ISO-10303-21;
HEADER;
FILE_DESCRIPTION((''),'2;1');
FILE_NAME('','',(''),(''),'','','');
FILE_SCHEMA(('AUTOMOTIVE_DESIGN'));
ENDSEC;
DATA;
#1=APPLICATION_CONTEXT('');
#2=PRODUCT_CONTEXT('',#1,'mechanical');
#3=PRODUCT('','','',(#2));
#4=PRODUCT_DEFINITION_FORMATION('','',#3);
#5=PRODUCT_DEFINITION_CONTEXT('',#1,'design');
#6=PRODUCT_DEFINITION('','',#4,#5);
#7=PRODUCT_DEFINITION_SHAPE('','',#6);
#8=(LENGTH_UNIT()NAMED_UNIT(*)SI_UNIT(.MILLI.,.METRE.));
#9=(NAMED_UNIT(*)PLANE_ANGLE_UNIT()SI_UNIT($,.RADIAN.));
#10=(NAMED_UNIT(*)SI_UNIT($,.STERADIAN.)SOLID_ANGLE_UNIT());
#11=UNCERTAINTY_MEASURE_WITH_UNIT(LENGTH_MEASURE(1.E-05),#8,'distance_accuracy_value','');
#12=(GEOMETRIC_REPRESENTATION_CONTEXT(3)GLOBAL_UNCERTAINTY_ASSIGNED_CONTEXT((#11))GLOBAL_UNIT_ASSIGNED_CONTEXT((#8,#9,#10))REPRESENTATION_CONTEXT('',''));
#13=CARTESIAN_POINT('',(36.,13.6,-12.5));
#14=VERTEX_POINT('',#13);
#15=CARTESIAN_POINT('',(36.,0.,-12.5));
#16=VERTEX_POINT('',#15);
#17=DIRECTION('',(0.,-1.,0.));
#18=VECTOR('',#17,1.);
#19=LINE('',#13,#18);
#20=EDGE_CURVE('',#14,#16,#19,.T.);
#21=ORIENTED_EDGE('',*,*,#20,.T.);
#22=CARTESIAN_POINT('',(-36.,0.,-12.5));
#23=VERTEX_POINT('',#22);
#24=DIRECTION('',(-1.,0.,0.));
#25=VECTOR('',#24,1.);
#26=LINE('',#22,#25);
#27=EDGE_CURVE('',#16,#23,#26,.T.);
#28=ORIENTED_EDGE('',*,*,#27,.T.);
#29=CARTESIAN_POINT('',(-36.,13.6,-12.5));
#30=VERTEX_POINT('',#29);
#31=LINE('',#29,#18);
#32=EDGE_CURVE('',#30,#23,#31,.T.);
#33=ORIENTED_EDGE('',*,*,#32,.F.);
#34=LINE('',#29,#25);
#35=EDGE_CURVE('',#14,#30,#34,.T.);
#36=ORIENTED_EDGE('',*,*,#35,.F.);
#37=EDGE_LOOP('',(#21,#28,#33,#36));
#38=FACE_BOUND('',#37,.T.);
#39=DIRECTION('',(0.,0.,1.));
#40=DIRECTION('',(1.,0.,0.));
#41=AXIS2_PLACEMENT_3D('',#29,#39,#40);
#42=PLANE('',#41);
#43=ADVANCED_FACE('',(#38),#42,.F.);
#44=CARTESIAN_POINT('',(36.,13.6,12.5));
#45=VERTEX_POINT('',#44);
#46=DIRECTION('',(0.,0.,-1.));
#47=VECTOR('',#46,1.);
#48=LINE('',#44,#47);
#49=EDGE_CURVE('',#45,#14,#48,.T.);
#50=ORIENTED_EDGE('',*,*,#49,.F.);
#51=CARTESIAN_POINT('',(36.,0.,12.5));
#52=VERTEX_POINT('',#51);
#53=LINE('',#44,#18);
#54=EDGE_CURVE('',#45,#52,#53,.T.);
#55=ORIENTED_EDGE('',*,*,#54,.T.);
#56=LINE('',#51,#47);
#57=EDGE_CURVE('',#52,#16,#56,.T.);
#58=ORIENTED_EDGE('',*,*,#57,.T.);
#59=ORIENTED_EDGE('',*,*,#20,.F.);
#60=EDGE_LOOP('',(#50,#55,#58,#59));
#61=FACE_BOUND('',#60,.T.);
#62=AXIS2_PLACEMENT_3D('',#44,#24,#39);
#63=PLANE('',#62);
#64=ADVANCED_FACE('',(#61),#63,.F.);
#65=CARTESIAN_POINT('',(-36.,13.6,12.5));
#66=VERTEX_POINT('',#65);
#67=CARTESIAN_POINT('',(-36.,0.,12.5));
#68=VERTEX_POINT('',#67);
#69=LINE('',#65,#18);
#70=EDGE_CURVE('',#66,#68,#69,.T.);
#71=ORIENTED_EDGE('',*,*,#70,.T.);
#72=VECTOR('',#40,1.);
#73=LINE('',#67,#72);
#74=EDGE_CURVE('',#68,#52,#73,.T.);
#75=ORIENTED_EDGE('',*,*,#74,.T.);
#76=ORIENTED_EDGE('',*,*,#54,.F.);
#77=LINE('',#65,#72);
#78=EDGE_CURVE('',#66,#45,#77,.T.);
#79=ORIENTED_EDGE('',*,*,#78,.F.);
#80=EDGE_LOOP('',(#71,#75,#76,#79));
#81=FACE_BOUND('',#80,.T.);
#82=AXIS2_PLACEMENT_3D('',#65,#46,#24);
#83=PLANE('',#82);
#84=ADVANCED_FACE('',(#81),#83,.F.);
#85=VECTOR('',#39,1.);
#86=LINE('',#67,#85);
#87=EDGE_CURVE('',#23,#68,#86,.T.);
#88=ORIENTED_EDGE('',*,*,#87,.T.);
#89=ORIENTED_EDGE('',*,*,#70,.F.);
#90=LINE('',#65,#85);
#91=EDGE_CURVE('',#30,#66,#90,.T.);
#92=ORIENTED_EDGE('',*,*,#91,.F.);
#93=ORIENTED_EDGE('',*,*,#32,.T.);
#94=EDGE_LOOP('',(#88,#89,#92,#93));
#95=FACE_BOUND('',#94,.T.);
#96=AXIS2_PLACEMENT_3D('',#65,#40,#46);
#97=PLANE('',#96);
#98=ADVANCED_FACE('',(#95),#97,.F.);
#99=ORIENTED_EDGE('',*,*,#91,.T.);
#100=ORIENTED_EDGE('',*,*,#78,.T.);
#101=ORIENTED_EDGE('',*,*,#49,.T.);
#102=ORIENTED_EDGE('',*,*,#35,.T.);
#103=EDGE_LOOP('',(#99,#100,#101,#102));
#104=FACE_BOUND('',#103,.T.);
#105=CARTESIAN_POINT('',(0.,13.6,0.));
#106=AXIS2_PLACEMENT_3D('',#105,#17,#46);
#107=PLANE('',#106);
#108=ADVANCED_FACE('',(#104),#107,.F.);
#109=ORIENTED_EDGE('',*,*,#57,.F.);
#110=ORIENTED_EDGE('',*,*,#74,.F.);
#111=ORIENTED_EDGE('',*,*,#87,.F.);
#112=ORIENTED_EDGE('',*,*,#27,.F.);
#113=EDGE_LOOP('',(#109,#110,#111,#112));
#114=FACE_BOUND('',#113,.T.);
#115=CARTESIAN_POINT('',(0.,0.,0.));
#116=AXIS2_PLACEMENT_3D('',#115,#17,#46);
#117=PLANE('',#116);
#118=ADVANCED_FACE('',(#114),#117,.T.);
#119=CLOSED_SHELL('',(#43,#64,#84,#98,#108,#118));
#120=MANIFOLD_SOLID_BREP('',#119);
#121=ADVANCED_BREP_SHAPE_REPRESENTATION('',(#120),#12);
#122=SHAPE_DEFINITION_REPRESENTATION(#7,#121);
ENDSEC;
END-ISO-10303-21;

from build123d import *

# Parameters (mm, degrees)
SKETCH1_W           = 72
SKETCH1_H           = 25
BOSS_EXTRUDE1_DEPTH = 13.6


with BuildPart() as part:
    # Sketch1 → Boss-Extrude1 (new body)
    with BuildSketch(Plane(origin=(0, 0, 0), x_dir=(1, 0, 0), z_dir=(0, 1, 0))):
        Rectangle(SKETCH1_W, SKETCH1_H)
    extrude(amount=BOSS_EXTRUDE1_DEPTH)


solid = part.part
